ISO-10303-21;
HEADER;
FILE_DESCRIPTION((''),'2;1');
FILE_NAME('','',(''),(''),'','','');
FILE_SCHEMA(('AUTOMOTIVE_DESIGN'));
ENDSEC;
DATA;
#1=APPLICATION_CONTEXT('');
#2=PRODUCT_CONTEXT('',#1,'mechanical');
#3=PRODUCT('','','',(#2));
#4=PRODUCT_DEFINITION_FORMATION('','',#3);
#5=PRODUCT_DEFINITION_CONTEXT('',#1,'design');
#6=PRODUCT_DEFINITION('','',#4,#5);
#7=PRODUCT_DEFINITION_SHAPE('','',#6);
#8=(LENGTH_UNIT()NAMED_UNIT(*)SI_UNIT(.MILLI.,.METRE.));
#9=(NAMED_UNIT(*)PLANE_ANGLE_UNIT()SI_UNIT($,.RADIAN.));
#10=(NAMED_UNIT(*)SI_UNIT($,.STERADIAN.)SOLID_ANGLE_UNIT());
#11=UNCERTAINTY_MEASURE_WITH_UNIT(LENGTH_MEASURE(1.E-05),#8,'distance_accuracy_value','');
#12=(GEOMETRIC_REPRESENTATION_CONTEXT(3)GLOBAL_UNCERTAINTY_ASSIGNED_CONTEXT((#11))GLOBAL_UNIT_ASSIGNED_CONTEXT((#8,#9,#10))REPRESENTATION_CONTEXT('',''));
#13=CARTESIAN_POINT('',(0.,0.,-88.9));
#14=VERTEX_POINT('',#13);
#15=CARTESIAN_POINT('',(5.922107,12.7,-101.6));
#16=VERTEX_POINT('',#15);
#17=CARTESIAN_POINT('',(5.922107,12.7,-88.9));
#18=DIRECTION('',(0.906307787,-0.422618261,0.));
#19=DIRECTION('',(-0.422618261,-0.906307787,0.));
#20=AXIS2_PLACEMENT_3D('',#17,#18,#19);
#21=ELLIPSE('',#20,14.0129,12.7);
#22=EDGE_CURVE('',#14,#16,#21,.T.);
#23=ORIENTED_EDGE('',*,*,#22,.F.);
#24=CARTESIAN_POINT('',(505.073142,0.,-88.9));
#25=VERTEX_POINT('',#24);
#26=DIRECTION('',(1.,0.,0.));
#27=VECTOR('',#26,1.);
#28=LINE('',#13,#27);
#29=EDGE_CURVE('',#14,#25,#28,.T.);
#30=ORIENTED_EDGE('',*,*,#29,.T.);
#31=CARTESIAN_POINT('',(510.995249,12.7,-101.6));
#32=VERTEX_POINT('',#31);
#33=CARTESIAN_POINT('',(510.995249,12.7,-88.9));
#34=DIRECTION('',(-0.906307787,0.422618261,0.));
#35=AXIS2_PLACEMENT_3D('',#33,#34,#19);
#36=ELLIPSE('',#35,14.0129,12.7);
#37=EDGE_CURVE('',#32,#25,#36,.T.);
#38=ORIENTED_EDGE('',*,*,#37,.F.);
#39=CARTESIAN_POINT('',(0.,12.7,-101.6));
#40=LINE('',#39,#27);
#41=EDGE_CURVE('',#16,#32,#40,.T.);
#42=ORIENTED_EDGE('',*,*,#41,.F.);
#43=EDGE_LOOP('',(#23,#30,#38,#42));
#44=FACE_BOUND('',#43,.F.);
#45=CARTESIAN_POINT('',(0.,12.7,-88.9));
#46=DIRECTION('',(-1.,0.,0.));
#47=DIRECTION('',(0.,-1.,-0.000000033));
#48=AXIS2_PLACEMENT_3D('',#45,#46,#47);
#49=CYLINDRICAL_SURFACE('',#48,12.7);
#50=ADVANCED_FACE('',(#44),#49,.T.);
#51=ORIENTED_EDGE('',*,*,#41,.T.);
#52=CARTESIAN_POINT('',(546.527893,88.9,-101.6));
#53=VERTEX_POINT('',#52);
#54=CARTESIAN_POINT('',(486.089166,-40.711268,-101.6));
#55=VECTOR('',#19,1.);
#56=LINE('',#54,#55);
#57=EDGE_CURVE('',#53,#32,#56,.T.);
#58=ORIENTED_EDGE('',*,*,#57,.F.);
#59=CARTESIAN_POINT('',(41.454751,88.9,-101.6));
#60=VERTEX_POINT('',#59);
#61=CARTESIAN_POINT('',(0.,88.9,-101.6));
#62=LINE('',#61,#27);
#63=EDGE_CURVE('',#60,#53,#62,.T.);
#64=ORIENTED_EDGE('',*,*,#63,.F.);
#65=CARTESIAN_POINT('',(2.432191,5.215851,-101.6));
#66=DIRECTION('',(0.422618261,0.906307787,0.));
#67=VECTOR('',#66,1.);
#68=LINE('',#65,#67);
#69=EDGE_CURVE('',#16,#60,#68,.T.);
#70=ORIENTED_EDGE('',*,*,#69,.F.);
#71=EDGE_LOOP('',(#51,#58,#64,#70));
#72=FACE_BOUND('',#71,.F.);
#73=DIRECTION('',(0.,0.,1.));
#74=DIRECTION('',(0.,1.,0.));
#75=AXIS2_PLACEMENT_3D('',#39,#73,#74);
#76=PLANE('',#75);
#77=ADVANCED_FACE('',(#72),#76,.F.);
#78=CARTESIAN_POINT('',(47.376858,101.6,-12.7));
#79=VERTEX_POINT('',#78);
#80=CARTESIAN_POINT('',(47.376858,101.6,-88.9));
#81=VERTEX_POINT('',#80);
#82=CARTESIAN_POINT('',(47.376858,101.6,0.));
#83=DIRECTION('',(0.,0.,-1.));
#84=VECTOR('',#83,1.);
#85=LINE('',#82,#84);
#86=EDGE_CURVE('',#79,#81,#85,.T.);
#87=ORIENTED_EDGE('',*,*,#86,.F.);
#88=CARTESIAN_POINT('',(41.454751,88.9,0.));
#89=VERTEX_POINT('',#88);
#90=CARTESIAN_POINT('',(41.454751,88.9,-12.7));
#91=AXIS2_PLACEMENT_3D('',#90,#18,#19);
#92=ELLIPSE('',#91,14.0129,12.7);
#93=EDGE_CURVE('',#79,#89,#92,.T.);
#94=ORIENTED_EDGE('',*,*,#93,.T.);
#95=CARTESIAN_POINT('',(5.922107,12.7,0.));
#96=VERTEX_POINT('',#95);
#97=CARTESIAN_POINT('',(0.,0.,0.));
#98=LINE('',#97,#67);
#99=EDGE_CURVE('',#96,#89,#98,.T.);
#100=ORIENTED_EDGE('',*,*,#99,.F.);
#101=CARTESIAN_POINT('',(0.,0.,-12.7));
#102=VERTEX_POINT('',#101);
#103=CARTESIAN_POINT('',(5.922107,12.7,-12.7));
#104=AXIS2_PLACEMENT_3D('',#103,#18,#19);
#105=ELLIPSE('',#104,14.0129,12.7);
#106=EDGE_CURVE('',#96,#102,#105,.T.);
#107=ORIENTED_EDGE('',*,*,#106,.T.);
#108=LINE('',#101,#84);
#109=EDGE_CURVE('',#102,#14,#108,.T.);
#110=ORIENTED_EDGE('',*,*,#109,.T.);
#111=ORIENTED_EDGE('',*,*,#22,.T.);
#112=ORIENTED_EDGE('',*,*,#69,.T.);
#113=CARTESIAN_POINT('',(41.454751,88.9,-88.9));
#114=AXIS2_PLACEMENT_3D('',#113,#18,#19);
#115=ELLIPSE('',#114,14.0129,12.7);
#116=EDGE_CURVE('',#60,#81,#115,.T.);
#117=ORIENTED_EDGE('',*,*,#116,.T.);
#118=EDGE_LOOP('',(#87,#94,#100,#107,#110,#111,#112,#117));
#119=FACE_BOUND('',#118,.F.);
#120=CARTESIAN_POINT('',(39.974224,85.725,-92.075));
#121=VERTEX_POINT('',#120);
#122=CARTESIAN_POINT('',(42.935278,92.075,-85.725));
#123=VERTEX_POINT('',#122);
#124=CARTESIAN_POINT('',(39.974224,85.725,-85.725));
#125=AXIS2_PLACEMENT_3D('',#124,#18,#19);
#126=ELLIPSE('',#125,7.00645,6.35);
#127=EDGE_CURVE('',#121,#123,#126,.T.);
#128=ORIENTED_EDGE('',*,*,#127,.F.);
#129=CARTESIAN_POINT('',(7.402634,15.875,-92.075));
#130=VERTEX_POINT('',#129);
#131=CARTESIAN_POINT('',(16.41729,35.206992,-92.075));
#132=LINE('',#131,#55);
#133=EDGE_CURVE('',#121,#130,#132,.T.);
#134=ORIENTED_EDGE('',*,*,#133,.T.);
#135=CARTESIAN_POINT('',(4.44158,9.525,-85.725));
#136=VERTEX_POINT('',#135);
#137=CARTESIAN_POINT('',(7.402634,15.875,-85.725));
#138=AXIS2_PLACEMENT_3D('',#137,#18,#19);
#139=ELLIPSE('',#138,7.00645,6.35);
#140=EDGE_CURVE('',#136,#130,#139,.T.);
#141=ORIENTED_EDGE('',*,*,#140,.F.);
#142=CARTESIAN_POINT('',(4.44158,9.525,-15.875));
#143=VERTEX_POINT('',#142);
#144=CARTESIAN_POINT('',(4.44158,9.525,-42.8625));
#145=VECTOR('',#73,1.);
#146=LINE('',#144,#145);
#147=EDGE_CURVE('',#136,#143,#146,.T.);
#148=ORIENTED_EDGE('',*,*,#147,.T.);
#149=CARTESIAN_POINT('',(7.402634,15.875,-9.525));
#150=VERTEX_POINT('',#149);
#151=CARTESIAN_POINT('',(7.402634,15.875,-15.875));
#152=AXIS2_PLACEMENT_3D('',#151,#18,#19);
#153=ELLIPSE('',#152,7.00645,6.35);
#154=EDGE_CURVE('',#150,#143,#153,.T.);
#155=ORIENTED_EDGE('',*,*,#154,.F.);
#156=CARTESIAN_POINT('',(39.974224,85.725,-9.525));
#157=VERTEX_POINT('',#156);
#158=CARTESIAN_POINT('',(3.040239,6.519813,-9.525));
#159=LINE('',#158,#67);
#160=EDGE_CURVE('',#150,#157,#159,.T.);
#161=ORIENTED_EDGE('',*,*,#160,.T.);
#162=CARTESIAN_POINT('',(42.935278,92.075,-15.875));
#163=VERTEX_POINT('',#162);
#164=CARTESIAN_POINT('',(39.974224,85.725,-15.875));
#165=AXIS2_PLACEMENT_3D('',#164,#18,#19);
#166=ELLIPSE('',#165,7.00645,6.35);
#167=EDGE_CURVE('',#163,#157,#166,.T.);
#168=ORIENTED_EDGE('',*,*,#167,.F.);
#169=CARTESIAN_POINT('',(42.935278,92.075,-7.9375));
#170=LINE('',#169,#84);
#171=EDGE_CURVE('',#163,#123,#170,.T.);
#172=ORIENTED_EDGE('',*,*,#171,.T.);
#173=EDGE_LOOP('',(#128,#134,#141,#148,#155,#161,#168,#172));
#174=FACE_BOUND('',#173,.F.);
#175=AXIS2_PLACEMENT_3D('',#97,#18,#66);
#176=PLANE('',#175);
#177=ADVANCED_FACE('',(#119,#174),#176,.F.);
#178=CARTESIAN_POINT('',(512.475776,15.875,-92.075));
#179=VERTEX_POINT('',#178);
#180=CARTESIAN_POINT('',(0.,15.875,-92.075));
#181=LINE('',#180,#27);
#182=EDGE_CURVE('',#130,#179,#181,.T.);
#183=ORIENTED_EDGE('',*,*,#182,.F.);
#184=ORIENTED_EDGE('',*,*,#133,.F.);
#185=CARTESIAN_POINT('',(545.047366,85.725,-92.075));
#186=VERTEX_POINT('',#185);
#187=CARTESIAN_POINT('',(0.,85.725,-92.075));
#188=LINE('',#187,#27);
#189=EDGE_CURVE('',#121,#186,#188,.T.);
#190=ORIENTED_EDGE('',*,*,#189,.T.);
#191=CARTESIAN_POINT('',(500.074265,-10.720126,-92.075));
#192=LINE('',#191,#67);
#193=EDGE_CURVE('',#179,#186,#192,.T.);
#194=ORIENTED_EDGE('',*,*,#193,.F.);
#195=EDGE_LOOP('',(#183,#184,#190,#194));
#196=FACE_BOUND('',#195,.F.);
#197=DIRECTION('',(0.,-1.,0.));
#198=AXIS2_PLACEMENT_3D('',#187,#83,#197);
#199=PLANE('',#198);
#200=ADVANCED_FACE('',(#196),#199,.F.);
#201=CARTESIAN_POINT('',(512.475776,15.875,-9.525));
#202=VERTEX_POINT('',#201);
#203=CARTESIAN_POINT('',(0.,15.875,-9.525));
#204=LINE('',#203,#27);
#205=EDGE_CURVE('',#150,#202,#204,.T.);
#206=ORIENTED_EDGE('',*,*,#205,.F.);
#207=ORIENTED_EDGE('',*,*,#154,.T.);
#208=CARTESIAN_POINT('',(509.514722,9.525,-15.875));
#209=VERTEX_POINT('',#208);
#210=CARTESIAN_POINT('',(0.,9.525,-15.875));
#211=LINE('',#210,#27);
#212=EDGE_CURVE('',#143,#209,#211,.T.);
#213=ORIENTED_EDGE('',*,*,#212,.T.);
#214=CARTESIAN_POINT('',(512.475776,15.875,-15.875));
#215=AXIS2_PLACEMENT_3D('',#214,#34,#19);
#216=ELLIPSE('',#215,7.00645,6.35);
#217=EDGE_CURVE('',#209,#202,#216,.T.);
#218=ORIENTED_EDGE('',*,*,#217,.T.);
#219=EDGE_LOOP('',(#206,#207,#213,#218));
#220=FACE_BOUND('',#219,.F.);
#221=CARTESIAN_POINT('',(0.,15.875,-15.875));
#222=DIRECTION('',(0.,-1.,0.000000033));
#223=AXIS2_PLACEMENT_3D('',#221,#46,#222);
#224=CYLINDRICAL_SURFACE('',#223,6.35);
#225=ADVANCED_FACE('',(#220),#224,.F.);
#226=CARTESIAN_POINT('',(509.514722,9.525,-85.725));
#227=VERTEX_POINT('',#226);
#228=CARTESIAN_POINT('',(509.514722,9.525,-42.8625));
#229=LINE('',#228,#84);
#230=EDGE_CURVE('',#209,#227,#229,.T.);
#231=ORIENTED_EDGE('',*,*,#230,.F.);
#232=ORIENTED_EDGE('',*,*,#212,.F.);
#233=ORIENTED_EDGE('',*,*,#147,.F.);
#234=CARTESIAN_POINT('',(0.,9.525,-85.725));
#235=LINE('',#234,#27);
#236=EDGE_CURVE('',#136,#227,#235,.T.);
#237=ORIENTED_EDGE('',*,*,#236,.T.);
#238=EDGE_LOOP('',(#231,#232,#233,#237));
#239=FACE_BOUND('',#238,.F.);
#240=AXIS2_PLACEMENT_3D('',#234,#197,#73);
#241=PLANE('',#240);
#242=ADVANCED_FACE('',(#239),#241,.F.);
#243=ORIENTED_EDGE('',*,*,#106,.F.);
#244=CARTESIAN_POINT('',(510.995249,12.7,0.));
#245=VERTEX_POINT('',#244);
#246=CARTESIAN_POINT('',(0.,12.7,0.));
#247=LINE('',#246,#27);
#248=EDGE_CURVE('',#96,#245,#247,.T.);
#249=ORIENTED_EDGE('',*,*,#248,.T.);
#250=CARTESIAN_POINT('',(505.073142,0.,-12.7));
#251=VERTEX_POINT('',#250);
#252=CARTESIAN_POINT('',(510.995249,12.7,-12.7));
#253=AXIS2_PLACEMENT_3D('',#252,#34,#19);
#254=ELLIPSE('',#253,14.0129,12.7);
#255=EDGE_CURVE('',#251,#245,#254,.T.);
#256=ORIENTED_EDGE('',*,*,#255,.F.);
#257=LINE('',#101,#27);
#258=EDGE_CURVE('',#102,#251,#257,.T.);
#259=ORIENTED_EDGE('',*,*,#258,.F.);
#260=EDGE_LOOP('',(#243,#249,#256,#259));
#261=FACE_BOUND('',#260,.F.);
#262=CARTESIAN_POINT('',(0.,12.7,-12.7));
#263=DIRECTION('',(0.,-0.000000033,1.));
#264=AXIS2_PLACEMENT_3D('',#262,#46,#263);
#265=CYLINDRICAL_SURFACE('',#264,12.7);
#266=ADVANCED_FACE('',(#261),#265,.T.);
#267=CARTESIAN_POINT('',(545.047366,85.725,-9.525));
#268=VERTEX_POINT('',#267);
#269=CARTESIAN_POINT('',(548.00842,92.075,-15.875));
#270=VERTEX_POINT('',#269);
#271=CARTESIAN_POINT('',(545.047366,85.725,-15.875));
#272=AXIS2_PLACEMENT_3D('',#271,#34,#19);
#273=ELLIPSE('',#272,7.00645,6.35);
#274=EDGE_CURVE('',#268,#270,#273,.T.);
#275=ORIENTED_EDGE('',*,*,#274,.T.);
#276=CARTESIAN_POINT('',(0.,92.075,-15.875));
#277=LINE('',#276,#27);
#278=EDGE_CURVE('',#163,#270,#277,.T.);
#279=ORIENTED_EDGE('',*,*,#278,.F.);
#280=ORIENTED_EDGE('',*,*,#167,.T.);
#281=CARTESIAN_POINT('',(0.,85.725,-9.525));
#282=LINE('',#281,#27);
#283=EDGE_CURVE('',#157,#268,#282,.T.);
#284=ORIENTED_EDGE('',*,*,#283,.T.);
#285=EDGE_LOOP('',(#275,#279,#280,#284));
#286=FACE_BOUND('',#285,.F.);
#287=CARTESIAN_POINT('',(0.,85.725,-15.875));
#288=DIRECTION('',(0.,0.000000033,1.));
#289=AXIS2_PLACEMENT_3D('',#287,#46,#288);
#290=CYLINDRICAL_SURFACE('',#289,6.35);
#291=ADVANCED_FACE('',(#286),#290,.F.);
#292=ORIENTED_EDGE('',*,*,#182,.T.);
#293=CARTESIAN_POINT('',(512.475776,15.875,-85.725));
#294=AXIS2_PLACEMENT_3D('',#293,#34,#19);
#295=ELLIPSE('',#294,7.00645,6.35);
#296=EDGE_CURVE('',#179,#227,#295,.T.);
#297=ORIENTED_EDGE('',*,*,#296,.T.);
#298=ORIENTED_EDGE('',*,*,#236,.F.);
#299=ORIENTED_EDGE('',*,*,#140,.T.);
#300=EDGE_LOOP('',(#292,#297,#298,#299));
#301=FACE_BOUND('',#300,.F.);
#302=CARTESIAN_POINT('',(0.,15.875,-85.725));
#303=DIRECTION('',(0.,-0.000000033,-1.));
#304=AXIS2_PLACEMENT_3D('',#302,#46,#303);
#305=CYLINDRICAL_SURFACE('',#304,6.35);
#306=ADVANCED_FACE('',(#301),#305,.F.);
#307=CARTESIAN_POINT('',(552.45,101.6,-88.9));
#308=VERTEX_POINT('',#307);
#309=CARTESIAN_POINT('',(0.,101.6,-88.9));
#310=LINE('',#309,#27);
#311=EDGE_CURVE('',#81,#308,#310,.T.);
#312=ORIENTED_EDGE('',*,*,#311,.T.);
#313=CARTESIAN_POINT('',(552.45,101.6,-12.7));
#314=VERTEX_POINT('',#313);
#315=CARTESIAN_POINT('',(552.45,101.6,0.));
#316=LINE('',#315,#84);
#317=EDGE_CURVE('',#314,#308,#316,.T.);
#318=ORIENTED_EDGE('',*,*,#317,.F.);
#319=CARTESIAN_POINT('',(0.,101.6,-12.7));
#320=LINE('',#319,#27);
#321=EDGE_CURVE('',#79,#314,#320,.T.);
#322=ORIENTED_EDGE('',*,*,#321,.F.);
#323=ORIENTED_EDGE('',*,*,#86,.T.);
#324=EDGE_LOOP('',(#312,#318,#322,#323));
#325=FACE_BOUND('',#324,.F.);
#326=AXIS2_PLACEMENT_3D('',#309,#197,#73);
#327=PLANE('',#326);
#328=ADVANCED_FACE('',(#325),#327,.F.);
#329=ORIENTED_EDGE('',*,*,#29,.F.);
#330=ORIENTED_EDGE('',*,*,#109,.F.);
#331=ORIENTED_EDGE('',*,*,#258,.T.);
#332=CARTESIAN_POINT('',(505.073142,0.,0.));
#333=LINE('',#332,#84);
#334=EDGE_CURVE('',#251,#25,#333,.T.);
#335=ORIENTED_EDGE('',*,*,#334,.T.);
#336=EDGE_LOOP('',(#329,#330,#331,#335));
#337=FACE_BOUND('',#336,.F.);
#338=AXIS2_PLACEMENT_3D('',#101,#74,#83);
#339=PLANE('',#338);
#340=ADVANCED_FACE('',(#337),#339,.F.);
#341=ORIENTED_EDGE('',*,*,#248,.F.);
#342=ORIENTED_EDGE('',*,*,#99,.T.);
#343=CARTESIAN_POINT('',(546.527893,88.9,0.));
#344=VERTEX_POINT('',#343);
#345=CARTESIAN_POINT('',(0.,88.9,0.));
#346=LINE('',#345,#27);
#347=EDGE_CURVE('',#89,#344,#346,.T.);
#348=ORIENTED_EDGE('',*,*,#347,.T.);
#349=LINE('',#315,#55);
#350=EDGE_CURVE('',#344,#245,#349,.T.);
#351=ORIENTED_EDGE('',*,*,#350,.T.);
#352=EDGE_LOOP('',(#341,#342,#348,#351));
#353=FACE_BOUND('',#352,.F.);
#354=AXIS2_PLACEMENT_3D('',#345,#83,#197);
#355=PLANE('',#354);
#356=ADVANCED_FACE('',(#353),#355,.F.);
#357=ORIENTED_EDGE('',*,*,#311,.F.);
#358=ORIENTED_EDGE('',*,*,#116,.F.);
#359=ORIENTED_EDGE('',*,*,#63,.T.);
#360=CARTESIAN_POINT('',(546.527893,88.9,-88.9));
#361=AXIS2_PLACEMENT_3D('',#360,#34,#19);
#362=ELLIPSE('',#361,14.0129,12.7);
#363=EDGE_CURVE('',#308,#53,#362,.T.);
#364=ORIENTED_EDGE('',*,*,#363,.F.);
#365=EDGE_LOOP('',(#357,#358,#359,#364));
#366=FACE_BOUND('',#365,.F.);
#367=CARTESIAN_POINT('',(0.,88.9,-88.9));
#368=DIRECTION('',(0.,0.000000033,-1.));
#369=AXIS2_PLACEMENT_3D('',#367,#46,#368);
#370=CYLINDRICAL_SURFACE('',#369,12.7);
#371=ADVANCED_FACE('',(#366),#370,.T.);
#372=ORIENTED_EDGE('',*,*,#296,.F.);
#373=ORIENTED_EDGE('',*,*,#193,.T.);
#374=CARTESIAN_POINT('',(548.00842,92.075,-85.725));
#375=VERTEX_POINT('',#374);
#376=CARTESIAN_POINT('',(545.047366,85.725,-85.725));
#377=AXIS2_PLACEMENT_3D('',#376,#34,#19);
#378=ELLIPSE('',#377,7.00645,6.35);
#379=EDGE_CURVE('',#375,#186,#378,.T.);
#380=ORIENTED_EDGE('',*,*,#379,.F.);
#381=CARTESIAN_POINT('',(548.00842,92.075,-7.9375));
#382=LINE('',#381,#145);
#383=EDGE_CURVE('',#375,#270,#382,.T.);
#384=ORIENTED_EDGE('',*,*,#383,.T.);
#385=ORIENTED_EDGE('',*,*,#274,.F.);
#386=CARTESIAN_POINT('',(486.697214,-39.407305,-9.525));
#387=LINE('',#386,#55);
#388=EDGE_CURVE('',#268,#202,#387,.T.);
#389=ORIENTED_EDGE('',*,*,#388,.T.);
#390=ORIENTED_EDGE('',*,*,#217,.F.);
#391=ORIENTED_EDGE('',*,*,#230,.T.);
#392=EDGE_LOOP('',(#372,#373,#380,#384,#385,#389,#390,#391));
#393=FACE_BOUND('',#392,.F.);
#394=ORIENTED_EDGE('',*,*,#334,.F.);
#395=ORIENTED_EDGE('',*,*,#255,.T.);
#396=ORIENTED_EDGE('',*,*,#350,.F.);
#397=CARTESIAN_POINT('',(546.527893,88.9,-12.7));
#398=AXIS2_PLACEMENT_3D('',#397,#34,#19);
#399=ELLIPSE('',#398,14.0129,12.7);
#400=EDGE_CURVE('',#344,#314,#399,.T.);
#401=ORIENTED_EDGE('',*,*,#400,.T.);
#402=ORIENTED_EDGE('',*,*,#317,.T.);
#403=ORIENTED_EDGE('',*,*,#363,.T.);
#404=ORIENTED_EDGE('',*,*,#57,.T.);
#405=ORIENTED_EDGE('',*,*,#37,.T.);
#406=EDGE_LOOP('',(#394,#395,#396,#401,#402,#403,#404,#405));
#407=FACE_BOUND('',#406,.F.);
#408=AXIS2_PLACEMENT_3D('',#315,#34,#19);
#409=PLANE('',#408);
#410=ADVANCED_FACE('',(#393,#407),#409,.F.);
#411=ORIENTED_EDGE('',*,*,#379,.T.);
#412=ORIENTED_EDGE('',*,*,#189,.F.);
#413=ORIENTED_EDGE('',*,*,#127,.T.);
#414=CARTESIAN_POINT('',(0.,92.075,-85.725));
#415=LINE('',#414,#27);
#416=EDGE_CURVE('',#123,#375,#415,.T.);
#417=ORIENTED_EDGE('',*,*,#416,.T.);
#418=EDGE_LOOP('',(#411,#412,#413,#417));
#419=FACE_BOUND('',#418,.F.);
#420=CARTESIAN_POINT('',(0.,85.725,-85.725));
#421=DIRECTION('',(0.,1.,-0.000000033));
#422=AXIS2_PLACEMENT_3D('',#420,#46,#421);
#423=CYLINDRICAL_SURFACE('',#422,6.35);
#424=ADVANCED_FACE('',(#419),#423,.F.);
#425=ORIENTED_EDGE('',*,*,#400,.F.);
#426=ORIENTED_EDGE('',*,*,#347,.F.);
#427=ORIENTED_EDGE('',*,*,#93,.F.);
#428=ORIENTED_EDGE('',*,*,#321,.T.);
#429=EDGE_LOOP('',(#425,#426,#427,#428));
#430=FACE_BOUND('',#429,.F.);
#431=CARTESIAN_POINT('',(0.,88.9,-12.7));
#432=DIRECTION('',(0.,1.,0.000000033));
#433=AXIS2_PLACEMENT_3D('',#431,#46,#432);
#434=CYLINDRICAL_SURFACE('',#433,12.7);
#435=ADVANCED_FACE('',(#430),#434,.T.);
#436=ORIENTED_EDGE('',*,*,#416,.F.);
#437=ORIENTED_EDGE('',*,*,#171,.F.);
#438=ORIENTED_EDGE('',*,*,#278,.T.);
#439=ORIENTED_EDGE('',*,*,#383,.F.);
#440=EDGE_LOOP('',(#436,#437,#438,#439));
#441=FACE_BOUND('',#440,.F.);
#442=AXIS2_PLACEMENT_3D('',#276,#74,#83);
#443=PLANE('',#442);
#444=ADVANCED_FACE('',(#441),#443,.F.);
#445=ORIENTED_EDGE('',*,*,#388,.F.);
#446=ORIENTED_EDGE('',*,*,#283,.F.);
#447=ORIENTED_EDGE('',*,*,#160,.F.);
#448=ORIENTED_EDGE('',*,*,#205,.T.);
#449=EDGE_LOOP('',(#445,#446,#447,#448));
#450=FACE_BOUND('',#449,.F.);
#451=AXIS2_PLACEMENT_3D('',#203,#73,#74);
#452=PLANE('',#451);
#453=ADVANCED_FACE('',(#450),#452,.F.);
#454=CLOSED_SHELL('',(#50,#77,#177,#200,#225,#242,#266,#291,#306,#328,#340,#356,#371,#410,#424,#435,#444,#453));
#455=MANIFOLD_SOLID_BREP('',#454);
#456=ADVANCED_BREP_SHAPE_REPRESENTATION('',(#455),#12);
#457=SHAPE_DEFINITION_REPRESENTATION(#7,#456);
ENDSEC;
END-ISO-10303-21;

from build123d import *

# Parameters (mm, degrees)
F1_DEPTH = 1651
F3_DEPTH = 127


with BuildPart() as f1:
    # F0 (on Right) → F1 (new body)
    with BuildSketch(Plane.YZ):
        with BuildLine():
            Line((88.9, 0), (12.7, 0))
            ThreePointArc((12.7, 0), (3.719744, -3.719744), (0, -12.7))
            Line((0, -12.7), (0, -88.9))
            ThreePointArc((0, -88.9), (3.719744, -97.880256), (12.7, -101.6))
            Line((12.7, -101.6), (88.9, -101.6))
            ThreePointArc((88.9, -101.6), (97.880256, -97.880256), (101.6, -88.9))
            Line((101.6, -88.9), (101.6, -12.7))
            ThreePointArc((101.6, -12.7), (97.880256, -3.719744), (88.9, 0))
        make_face()
        with BuildLine():
            ThreePointArc((9.525, -15.875), (11.384872, -11.384872), (15.875, -9.525))
            Line((15.875, -9.525), (85.725, -9.525))
            ThreePointArc((85.725, -9.525), (90.215128, -11.384872), (92.075, -15.875))
            Line((92.075, -15.875), (92.075, -85.725))
            ThreePointArc((92.075, -85.725), (90.215128, -90.215128), (85.725, -92.075))
            Line((85.725, -92.075), (15.875, -92.075))
            ThreePointArc((15.875, -92.075), (11.384872, -90.215128), (9.525, -85.725))
            Line((9.525, -85.725), (9.525, -15.875))
        make_face(mode=Mode.SUBTRACT)
    extrude(amount=F1_DEPTH)

    # F2 (on Top) → F3 (cut)
    with BuildSketch(Plane.XY):
        Polygon((505.073142, 0), (1651, 0), (1651, 12.7), (1651, 88.9), (1651, 101.6), (552.45, 101.6), align=None)
        Polygon((0, 12.7), (0, 0), (47.376858, 101.6), (0, 101.6), (0, 88.9), align=None)
    extrude(amount=-F3_DEPTH, mode=Mode.SUBTRACT)


solid = f1.part
